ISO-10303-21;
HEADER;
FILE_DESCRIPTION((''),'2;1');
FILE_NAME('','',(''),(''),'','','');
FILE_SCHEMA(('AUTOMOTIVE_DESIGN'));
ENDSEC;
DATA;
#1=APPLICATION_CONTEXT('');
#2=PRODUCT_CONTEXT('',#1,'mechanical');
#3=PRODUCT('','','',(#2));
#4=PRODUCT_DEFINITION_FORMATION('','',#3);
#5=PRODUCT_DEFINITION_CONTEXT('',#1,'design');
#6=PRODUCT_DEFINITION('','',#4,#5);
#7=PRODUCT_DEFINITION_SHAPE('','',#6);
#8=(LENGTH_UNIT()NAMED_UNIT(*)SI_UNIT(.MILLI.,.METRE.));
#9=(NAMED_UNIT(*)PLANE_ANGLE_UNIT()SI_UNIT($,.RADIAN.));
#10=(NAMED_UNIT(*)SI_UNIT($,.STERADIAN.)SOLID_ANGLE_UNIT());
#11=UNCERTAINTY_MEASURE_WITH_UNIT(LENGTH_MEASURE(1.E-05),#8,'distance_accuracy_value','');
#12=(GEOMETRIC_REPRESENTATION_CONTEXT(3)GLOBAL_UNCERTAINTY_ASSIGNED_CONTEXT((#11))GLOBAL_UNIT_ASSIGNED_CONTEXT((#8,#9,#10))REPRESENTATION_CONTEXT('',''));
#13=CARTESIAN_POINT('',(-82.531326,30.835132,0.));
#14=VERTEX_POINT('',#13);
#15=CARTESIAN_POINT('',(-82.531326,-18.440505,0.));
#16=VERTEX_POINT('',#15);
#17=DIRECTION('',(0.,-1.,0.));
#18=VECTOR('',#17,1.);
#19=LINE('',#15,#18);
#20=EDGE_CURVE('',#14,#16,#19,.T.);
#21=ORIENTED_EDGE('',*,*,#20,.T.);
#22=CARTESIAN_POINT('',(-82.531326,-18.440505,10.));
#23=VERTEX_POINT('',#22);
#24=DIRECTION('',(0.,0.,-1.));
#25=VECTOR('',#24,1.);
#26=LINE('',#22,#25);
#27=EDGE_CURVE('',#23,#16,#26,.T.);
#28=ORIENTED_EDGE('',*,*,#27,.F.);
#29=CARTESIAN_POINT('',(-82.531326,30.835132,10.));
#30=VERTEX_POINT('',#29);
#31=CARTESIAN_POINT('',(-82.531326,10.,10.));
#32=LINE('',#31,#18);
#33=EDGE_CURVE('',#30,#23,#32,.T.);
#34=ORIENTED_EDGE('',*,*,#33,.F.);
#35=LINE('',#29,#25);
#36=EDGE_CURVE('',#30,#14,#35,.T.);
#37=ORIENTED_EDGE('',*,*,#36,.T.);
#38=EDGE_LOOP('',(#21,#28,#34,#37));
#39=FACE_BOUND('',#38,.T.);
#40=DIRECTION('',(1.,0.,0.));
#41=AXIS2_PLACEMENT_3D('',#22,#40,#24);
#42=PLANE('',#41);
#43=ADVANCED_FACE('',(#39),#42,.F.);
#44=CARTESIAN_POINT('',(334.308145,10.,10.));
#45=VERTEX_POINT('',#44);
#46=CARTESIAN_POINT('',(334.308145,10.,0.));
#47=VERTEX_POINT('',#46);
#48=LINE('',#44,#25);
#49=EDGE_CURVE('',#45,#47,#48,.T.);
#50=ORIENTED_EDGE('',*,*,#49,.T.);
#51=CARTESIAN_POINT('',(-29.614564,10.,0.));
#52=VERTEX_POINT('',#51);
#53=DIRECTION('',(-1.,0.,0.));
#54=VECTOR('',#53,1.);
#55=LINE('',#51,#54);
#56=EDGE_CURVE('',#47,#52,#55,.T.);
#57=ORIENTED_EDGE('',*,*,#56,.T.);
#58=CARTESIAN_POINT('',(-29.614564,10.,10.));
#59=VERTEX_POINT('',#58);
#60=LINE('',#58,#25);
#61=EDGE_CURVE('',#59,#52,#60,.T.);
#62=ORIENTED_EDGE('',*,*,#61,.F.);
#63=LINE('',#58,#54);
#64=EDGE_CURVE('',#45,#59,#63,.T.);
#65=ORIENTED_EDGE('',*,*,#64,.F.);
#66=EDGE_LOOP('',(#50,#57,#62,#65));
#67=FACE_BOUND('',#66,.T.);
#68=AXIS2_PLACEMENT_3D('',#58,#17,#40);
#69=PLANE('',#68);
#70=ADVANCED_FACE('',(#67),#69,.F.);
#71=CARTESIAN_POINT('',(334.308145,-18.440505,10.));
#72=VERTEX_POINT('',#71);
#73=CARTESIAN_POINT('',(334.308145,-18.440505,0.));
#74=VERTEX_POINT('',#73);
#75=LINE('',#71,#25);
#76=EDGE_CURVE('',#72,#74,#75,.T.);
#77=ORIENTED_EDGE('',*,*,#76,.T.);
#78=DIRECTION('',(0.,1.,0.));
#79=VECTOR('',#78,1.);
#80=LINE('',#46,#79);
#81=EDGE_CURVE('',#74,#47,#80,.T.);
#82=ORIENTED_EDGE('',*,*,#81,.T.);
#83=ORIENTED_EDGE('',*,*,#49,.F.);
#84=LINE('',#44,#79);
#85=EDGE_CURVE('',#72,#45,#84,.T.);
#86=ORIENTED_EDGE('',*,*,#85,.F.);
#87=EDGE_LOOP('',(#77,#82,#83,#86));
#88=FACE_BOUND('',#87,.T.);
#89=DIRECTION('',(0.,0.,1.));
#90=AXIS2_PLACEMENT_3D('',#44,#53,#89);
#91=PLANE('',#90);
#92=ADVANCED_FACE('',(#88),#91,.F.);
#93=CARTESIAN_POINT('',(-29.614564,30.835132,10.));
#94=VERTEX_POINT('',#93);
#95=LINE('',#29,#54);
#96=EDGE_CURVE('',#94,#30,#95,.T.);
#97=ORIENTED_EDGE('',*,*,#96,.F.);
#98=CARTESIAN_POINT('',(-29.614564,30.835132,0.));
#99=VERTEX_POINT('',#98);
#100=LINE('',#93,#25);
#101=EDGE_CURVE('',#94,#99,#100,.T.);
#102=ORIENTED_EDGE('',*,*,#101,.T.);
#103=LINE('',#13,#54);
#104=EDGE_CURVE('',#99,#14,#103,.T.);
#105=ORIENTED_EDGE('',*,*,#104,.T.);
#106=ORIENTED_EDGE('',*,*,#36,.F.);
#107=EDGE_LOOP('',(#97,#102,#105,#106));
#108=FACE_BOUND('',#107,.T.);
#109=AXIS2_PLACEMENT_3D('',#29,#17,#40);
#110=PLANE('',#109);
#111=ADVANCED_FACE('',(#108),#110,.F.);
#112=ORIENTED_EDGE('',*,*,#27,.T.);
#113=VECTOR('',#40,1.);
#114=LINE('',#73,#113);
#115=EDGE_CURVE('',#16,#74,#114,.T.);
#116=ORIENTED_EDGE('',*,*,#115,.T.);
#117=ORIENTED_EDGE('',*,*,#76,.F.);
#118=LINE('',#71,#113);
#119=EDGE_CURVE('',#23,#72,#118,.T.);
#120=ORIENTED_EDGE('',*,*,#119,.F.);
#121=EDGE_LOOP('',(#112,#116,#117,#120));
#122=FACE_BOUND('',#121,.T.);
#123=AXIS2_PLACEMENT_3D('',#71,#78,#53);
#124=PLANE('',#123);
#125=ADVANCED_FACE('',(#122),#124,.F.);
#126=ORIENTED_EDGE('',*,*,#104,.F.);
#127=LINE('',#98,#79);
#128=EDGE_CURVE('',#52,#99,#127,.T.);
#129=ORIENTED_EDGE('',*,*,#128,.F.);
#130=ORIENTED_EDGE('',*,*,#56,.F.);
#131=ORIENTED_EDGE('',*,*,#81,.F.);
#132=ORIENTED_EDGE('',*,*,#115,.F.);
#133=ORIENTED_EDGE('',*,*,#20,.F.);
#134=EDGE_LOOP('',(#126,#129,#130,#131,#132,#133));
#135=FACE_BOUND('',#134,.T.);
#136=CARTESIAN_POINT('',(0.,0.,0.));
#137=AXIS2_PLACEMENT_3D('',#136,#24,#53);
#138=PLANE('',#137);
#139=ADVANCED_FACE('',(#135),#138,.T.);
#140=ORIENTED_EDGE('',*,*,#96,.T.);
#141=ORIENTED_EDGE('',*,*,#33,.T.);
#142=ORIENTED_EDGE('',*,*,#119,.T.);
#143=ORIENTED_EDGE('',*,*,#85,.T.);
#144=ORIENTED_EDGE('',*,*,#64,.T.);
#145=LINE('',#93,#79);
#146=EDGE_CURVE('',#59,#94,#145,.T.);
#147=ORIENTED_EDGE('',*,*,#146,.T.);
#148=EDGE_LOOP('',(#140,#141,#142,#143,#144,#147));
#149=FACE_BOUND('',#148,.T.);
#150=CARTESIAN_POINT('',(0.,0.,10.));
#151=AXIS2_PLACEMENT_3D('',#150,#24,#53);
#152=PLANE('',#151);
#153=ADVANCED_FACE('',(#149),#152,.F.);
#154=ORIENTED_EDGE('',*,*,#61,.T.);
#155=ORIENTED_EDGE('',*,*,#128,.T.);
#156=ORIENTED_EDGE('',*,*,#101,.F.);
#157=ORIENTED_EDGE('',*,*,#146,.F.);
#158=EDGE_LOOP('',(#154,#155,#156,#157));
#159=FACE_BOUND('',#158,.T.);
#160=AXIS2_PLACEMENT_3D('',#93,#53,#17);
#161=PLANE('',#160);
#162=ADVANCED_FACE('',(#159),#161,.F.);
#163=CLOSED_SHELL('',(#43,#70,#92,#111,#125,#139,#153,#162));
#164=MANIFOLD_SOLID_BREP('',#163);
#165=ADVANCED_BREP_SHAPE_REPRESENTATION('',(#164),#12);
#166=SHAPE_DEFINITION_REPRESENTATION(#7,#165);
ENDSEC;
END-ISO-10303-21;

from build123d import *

# Parameters (mm, degrees)
EXTRUDE_1_DEPTH = 10


with BuildPart() as part:
    # 草图1 → 凸台-拉伸1 (new body)
    with BuildSketch(Plane.XY):
        Polygon((-82.531326421, -18.440504625), (-82.531326421, 10), (-82.531326421, 30.835132221), (-29.614564371, 30.835132221), (-29.614564371, 10), (334.308144959, 10), (334.308144959, -18.440504625), align=None)
    extrude(amount=EXTRUDE_1_DEPTH)


solid = part.part
